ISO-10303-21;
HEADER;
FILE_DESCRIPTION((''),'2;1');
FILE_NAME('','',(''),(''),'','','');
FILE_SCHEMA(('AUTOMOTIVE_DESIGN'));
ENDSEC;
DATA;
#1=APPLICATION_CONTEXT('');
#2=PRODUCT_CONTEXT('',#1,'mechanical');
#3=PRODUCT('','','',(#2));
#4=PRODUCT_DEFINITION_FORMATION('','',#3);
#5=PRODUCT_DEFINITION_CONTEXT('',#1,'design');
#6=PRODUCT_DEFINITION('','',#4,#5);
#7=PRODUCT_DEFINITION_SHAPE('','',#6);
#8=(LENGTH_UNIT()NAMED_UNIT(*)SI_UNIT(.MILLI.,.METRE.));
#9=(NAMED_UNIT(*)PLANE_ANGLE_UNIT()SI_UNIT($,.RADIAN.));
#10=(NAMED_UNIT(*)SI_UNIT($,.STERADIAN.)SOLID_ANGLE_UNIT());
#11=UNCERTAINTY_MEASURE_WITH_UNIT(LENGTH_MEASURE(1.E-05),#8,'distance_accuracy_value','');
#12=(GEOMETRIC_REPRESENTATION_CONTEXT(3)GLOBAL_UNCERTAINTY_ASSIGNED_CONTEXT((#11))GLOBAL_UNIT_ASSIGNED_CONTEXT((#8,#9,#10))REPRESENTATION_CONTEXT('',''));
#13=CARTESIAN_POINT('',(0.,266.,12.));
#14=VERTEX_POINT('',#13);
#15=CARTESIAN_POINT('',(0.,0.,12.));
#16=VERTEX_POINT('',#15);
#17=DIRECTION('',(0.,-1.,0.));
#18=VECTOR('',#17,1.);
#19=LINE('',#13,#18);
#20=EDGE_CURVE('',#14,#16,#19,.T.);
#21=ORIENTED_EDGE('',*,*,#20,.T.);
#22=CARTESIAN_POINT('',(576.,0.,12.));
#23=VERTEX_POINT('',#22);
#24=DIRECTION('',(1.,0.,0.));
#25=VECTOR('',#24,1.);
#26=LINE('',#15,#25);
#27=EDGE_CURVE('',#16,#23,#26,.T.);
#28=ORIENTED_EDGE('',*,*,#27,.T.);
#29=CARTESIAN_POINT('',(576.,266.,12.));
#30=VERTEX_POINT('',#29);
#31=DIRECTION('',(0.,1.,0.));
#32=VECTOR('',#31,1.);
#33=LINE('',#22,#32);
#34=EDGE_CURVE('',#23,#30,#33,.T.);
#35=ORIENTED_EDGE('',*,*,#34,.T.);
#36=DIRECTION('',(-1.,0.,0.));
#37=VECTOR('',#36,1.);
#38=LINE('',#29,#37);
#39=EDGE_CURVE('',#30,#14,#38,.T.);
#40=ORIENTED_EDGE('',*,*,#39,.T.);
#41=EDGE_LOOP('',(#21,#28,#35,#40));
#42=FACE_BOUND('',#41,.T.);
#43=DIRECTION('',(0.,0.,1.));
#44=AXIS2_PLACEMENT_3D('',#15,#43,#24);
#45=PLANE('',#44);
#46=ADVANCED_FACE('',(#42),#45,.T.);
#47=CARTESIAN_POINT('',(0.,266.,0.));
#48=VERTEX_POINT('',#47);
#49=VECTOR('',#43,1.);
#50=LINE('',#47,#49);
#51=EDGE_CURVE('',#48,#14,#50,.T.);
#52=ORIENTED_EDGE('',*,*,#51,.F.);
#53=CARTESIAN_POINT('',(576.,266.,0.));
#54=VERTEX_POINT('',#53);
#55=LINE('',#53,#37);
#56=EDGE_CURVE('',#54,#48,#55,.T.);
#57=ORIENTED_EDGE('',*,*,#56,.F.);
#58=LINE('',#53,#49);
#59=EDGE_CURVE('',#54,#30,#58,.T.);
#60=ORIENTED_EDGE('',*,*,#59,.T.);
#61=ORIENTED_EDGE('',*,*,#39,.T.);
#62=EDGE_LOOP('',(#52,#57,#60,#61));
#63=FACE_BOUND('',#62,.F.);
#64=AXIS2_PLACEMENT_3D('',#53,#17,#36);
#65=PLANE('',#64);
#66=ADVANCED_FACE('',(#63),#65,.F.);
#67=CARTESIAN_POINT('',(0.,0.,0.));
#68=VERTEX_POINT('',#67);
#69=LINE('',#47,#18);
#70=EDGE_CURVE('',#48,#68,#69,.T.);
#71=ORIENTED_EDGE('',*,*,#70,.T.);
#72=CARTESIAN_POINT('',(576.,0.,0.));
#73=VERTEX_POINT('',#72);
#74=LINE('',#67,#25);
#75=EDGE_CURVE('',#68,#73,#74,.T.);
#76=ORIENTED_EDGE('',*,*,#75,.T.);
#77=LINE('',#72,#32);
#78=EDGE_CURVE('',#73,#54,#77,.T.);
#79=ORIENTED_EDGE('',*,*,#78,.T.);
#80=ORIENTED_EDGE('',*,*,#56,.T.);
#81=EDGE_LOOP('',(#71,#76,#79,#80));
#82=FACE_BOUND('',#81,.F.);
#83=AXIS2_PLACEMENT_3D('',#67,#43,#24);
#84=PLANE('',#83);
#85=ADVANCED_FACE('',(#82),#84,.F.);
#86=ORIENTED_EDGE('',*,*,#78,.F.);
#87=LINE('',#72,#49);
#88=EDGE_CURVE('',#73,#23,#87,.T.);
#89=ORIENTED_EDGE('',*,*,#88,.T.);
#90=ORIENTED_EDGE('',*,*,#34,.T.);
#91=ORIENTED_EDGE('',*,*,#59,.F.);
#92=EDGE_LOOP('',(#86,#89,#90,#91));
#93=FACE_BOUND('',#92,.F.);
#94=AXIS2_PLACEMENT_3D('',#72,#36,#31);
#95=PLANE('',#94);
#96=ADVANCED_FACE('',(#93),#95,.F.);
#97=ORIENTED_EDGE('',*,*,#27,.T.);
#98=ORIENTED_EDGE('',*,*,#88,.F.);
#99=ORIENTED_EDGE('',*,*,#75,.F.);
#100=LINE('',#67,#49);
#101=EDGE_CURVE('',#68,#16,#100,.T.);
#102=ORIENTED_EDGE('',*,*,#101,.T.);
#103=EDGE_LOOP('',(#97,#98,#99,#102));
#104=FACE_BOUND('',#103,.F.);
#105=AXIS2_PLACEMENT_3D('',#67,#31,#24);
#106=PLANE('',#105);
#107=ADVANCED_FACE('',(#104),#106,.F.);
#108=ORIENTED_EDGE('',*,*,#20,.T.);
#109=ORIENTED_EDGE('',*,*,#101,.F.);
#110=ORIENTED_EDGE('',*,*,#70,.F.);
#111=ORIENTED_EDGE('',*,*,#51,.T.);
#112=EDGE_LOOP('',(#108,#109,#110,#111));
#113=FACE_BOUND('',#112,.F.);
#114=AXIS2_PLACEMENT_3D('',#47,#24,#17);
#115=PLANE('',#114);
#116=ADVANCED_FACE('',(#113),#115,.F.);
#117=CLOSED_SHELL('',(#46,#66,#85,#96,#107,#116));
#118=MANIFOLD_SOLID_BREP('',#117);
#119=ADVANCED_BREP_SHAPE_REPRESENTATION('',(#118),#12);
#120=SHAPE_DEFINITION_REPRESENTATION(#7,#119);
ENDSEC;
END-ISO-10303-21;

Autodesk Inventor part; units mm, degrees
ref_plane "YZ Plane" through (0, 0, 0) normal (1, 0, 0) x (0, 1, 0)
ref_plane "XZ Plane" through (0, 0, 0) normal (0, 1, 0) x (-1, 0, 0)
ref_plane "XY Plane" through (0, 0, 0) normal (0, 0, 1) x (1, 0, 0)
sketch "Эскиз1" plane through (0, 0, 0) normal (0, 0, 1) x (1, 0, 0)
  line L0 (0, 0) -> (576, 0)
  line L1 (576, 0) -> (576, 266)
  line L2 (576, 266) -> (0, 266)
  line L3 (0, 266) -> (0, 0)
  dimension "d0" = 576
  dimension "d1" = 266
extrude "Выдавливание1" add sketch "Эскиз1" along normal blind 12
properties part number "задник"
